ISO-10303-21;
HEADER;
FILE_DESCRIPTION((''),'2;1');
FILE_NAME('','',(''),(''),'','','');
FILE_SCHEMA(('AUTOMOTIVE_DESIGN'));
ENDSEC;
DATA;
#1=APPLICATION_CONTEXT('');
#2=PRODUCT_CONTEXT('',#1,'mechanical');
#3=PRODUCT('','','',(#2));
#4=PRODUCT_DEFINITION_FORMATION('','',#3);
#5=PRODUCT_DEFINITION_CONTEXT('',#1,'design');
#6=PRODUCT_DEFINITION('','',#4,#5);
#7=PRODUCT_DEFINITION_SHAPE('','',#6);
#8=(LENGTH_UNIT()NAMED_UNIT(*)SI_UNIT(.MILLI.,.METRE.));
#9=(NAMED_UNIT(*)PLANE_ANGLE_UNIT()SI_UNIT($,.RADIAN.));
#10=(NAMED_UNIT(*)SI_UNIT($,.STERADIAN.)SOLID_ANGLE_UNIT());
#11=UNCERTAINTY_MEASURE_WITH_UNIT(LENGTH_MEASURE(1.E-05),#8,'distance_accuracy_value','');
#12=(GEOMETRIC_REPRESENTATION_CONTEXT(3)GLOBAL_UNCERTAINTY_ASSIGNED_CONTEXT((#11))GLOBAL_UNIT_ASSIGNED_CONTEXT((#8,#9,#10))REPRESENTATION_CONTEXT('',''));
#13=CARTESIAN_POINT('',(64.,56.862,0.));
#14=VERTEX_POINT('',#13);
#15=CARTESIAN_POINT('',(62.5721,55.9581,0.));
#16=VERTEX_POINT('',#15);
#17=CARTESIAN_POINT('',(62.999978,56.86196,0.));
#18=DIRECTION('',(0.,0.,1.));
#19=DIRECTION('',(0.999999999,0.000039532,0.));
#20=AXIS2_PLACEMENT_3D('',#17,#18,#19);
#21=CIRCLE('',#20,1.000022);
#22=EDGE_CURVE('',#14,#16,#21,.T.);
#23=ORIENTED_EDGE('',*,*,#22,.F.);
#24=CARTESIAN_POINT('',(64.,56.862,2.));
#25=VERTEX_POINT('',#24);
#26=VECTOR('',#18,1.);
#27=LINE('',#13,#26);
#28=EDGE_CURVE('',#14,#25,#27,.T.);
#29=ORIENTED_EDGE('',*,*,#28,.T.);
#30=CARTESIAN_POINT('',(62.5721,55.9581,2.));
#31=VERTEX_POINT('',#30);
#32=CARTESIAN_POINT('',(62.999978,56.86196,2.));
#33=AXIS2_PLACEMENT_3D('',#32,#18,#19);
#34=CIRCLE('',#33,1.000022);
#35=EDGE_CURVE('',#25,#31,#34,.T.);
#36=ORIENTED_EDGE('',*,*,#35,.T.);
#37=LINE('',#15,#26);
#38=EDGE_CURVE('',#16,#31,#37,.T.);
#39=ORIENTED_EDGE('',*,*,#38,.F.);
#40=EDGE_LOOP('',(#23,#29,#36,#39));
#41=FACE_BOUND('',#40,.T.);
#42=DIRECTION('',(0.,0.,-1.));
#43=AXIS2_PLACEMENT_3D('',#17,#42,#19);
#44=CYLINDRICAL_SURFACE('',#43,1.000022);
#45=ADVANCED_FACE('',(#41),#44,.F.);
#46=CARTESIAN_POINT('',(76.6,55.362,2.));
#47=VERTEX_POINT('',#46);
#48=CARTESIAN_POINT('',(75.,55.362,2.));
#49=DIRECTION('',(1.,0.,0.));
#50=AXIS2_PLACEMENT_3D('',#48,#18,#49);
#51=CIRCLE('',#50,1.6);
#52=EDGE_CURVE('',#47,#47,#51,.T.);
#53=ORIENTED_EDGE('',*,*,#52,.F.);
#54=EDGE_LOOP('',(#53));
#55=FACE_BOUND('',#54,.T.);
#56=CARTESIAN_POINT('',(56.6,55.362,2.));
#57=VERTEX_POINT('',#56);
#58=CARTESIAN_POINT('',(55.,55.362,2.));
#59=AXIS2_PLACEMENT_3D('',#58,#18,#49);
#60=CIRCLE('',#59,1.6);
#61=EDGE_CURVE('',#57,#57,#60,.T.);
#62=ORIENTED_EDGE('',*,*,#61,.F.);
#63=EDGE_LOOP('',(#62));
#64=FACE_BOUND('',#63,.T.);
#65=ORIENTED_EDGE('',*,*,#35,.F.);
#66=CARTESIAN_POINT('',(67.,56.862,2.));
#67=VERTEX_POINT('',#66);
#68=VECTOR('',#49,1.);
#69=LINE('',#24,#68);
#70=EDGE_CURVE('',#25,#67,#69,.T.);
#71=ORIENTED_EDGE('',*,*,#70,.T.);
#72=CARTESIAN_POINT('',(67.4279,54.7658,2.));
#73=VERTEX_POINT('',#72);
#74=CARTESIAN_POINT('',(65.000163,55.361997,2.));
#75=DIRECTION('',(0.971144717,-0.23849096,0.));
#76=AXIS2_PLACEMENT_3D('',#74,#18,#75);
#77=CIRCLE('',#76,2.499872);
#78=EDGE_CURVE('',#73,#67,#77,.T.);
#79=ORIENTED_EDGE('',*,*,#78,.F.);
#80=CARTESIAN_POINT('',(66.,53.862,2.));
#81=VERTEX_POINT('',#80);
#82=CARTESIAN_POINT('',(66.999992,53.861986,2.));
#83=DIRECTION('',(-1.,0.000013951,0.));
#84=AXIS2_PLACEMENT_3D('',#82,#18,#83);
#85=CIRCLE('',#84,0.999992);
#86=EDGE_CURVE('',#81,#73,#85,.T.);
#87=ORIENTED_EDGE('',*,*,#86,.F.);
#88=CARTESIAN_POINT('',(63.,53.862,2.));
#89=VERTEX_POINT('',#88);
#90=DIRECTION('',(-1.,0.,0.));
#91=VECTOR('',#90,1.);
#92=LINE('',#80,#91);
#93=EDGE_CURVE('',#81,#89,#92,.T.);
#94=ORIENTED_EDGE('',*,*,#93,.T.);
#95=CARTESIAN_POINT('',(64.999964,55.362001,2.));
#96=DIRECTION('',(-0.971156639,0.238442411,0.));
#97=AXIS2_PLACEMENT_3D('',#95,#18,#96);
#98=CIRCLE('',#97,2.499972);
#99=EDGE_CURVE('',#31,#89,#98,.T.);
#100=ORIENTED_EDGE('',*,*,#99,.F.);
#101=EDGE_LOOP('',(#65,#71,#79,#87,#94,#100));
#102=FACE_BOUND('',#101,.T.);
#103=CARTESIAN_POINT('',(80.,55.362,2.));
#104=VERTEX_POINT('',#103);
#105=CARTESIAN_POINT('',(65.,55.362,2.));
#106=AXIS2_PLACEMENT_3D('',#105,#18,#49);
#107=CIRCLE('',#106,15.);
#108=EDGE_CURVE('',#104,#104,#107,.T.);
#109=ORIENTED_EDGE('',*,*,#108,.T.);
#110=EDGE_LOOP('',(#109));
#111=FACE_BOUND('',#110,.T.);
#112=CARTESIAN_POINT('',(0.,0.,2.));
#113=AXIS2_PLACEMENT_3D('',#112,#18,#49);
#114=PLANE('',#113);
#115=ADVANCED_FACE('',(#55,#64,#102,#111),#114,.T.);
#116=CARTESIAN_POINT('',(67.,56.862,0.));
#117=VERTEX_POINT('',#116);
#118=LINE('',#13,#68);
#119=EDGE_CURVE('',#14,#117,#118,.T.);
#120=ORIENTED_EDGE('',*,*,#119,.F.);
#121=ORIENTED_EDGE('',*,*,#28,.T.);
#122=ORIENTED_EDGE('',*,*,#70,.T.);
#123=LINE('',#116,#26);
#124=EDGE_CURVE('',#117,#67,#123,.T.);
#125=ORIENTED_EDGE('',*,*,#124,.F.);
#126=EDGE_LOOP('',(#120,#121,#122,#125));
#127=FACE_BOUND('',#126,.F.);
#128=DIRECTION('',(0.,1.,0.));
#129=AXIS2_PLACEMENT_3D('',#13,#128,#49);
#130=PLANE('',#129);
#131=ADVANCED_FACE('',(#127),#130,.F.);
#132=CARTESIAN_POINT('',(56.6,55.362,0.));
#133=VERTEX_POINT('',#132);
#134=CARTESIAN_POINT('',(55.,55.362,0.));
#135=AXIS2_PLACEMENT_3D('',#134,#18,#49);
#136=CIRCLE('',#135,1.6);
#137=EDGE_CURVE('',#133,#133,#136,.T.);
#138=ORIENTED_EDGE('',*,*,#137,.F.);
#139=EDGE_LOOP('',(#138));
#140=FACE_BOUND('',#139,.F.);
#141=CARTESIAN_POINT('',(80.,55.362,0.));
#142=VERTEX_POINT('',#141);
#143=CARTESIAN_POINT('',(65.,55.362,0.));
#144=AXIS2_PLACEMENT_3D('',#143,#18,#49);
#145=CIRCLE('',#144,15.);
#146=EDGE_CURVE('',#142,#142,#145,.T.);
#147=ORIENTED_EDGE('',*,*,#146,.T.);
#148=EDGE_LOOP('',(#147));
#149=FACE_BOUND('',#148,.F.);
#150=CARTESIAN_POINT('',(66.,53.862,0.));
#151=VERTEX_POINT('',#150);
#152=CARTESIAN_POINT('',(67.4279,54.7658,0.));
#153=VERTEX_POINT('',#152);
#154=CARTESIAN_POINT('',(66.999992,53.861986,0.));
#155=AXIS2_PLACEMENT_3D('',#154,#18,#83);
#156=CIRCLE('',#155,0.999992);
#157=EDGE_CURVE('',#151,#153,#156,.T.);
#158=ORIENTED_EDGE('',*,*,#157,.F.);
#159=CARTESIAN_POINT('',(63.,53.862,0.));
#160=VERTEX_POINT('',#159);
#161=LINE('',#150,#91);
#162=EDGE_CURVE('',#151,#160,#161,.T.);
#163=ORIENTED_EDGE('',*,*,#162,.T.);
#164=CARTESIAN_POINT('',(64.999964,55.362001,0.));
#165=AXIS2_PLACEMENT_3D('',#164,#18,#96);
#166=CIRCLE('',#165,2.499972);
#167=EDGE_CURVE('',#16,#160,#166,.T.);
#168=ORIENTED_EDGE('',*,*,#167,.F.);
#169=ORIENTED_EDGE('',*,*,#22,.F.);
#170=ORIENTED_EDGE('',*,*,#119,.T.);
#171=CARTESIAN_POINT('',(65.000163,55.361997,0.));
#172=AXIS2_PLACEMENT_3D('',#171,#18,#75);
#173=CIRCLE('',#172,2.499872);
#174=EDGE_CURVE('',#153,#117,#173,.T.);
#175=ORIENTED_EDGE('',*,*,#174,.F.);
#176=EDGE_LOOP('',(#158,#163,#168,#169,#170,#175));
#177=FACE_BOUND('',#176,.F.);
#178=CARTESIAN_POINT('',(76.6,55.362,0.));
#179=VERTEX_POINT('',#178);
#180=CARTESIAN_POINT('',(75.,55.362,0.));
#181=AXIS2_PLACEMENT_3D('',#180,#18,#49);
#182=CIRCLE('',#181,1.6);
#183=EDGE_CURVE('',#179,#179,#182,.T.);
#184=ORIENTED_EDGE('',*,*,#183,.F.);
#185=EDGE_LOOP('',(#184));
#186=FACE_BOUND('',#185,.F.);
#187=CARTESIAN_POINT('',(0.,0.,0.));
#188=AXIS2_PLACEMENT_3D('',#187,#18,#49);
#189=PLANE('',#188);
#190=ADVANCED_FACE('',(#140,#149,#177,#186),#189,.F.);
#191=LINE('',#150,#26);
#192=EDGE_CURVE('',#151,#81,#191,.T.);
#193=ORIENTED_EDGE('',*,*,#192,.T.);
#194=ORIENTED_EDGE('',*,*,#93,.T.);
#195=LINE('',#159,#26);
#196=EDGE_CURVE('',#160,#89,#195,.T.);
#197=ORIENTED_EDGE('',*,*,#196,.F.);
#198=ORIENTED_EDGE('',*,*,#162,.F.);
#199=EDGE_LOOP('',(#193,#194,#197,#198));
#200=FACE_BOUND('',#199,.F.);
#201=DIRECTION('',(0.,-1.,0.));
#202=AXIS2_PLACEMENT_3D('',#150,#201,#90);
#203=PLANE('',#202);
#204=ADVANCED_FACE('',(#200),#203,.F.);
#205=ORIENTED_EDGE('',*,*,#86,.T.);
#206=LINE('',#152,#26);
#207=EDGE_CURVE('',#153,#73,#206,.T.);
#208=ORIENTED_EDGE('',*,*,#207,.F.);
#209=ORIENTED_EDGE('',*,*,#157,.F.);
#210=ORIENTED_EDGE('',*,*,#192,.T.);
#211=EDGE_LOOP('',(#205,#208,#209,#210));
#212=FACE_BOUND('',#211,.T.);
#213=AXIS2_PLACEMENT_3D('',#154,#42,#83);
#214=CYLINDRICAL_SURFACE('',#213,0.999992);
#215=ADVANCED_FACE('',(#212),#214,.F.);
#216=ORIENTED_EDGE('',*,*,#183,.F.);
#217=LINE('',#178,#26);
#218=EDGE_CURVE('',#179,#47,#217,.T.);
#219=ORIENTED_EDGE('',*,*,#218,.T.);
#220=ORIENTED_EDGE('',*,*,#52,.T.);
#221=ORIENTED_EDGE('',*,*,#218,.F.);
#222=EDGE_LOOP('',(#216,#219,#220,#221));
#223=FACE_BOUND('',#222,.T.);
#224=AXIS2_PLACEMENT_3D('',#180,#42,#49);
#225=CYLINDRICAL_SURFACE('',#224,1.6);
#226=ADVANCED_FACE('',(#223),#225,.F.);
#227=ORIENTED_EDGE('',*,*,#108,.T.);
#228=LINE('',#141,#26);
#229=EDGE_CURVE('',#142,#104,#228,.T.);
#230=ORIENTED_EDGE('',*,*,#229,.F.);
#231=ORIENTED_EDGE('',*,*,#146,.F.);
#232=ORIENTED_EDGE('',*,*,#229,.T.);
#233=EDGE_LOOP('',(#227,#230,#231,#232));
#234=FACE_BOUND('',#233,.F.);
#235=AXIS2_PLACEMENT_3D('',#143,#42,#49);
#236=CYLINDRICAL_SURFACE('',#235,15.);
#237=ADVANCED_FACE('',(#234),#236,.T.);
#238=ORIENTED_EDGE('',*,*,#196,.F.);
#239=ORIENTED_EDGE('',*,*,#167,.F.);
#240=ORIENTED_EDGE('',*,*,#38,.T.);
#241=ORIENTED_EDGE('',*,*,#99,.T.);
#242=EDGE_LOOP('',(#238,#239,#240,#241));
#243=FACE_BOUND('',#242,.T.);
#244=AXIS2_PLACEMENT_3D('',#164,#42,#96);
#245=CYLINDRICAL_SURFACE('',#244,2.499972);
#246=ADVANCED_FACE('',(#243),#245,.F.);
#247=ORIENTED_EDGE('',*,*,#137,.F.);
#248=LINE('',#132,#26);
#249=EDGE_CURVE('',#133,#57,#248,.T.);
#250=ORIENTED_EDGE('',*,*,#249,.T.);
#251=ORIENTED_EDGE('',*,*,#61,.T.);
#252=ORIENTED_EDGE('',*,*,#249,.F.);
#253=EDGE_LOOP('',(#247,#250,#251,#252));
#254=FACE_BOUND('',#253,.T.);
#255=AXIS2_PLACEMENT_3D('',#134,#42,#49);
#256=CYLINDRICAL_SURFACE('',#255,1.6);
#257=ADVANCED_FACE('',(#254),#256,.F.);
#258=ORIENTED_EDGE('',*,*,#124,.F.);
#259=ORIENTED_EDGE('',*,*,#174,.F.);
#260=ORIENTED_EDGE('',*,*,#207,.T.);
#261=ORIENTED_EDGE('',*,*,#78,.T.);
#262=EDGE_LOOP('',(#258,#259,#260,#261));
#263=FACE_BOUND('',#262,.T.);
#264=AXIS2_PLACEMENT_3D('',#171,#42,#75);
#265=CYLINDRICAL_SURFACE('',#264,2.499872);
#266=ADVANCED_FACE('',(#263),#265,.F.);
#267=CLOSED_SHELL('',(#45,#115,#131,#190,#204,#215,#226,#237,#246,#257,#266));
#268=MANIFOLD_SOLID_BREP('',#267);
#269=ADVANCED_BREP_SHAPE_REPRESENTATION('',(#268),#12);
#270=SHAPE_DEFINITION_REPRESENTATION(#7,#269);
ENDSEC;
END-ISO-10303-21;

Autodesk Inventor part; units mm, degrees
ref_plane "YZ Plane" through (0, 0, 0) normal (1, 0, 0) x (0, 1, 0)
ref_plane "XZ Plane" through (0, 0, 0) normal (0, 1, 0) x (-1, 0, 0)
ref_plane "XY Plane" through (0, 0, 0) normal (0, 0, 1) x (1, 0, 0)
sketch "スケッチ1" plane through (0, 0, 0) normal (0, 0, 1) x (1, 0, 0)
  line L0 (64, 56.862) -> (67, 56.862)
  line L1 (66, 53.862) -> (63, 53.862)
  arc A0 (67.4279, 54.7658) -> (67, 56.862) centre (65, 55.362) ccw
  arc A1 (62.5721, 55.9581) -> (63, 53.862) centre (65, 55.362) ccw
  circle A2 centre (65, 55.362) radius 15
  circle A3 centre (55, 55.362) radius 1.6
  circle A4 centre (75, 55.362) radius 1.6
  arc A5 (64, 56.862) -> (62.5721, 55.9581) centre (63, 56.862) ccw
  arc A6 (66, 53.862) -> (67.4279, 54.7658) centre (67, 53.862) ccw
  point P0 (0, 0)
  point P1 (65, 55.362)
  dimension "d1" = 30
  dimension "d7" = 3.2
  dimension "d8" = 3.2
  dimension "d11" = 2
  dimension "d12" = 2
extrude "押し出し1" add sketch "スケッチ1" along normal blind 2
properties part number "レスキューキット接続" material "アルミニウム 6061、溶接"
